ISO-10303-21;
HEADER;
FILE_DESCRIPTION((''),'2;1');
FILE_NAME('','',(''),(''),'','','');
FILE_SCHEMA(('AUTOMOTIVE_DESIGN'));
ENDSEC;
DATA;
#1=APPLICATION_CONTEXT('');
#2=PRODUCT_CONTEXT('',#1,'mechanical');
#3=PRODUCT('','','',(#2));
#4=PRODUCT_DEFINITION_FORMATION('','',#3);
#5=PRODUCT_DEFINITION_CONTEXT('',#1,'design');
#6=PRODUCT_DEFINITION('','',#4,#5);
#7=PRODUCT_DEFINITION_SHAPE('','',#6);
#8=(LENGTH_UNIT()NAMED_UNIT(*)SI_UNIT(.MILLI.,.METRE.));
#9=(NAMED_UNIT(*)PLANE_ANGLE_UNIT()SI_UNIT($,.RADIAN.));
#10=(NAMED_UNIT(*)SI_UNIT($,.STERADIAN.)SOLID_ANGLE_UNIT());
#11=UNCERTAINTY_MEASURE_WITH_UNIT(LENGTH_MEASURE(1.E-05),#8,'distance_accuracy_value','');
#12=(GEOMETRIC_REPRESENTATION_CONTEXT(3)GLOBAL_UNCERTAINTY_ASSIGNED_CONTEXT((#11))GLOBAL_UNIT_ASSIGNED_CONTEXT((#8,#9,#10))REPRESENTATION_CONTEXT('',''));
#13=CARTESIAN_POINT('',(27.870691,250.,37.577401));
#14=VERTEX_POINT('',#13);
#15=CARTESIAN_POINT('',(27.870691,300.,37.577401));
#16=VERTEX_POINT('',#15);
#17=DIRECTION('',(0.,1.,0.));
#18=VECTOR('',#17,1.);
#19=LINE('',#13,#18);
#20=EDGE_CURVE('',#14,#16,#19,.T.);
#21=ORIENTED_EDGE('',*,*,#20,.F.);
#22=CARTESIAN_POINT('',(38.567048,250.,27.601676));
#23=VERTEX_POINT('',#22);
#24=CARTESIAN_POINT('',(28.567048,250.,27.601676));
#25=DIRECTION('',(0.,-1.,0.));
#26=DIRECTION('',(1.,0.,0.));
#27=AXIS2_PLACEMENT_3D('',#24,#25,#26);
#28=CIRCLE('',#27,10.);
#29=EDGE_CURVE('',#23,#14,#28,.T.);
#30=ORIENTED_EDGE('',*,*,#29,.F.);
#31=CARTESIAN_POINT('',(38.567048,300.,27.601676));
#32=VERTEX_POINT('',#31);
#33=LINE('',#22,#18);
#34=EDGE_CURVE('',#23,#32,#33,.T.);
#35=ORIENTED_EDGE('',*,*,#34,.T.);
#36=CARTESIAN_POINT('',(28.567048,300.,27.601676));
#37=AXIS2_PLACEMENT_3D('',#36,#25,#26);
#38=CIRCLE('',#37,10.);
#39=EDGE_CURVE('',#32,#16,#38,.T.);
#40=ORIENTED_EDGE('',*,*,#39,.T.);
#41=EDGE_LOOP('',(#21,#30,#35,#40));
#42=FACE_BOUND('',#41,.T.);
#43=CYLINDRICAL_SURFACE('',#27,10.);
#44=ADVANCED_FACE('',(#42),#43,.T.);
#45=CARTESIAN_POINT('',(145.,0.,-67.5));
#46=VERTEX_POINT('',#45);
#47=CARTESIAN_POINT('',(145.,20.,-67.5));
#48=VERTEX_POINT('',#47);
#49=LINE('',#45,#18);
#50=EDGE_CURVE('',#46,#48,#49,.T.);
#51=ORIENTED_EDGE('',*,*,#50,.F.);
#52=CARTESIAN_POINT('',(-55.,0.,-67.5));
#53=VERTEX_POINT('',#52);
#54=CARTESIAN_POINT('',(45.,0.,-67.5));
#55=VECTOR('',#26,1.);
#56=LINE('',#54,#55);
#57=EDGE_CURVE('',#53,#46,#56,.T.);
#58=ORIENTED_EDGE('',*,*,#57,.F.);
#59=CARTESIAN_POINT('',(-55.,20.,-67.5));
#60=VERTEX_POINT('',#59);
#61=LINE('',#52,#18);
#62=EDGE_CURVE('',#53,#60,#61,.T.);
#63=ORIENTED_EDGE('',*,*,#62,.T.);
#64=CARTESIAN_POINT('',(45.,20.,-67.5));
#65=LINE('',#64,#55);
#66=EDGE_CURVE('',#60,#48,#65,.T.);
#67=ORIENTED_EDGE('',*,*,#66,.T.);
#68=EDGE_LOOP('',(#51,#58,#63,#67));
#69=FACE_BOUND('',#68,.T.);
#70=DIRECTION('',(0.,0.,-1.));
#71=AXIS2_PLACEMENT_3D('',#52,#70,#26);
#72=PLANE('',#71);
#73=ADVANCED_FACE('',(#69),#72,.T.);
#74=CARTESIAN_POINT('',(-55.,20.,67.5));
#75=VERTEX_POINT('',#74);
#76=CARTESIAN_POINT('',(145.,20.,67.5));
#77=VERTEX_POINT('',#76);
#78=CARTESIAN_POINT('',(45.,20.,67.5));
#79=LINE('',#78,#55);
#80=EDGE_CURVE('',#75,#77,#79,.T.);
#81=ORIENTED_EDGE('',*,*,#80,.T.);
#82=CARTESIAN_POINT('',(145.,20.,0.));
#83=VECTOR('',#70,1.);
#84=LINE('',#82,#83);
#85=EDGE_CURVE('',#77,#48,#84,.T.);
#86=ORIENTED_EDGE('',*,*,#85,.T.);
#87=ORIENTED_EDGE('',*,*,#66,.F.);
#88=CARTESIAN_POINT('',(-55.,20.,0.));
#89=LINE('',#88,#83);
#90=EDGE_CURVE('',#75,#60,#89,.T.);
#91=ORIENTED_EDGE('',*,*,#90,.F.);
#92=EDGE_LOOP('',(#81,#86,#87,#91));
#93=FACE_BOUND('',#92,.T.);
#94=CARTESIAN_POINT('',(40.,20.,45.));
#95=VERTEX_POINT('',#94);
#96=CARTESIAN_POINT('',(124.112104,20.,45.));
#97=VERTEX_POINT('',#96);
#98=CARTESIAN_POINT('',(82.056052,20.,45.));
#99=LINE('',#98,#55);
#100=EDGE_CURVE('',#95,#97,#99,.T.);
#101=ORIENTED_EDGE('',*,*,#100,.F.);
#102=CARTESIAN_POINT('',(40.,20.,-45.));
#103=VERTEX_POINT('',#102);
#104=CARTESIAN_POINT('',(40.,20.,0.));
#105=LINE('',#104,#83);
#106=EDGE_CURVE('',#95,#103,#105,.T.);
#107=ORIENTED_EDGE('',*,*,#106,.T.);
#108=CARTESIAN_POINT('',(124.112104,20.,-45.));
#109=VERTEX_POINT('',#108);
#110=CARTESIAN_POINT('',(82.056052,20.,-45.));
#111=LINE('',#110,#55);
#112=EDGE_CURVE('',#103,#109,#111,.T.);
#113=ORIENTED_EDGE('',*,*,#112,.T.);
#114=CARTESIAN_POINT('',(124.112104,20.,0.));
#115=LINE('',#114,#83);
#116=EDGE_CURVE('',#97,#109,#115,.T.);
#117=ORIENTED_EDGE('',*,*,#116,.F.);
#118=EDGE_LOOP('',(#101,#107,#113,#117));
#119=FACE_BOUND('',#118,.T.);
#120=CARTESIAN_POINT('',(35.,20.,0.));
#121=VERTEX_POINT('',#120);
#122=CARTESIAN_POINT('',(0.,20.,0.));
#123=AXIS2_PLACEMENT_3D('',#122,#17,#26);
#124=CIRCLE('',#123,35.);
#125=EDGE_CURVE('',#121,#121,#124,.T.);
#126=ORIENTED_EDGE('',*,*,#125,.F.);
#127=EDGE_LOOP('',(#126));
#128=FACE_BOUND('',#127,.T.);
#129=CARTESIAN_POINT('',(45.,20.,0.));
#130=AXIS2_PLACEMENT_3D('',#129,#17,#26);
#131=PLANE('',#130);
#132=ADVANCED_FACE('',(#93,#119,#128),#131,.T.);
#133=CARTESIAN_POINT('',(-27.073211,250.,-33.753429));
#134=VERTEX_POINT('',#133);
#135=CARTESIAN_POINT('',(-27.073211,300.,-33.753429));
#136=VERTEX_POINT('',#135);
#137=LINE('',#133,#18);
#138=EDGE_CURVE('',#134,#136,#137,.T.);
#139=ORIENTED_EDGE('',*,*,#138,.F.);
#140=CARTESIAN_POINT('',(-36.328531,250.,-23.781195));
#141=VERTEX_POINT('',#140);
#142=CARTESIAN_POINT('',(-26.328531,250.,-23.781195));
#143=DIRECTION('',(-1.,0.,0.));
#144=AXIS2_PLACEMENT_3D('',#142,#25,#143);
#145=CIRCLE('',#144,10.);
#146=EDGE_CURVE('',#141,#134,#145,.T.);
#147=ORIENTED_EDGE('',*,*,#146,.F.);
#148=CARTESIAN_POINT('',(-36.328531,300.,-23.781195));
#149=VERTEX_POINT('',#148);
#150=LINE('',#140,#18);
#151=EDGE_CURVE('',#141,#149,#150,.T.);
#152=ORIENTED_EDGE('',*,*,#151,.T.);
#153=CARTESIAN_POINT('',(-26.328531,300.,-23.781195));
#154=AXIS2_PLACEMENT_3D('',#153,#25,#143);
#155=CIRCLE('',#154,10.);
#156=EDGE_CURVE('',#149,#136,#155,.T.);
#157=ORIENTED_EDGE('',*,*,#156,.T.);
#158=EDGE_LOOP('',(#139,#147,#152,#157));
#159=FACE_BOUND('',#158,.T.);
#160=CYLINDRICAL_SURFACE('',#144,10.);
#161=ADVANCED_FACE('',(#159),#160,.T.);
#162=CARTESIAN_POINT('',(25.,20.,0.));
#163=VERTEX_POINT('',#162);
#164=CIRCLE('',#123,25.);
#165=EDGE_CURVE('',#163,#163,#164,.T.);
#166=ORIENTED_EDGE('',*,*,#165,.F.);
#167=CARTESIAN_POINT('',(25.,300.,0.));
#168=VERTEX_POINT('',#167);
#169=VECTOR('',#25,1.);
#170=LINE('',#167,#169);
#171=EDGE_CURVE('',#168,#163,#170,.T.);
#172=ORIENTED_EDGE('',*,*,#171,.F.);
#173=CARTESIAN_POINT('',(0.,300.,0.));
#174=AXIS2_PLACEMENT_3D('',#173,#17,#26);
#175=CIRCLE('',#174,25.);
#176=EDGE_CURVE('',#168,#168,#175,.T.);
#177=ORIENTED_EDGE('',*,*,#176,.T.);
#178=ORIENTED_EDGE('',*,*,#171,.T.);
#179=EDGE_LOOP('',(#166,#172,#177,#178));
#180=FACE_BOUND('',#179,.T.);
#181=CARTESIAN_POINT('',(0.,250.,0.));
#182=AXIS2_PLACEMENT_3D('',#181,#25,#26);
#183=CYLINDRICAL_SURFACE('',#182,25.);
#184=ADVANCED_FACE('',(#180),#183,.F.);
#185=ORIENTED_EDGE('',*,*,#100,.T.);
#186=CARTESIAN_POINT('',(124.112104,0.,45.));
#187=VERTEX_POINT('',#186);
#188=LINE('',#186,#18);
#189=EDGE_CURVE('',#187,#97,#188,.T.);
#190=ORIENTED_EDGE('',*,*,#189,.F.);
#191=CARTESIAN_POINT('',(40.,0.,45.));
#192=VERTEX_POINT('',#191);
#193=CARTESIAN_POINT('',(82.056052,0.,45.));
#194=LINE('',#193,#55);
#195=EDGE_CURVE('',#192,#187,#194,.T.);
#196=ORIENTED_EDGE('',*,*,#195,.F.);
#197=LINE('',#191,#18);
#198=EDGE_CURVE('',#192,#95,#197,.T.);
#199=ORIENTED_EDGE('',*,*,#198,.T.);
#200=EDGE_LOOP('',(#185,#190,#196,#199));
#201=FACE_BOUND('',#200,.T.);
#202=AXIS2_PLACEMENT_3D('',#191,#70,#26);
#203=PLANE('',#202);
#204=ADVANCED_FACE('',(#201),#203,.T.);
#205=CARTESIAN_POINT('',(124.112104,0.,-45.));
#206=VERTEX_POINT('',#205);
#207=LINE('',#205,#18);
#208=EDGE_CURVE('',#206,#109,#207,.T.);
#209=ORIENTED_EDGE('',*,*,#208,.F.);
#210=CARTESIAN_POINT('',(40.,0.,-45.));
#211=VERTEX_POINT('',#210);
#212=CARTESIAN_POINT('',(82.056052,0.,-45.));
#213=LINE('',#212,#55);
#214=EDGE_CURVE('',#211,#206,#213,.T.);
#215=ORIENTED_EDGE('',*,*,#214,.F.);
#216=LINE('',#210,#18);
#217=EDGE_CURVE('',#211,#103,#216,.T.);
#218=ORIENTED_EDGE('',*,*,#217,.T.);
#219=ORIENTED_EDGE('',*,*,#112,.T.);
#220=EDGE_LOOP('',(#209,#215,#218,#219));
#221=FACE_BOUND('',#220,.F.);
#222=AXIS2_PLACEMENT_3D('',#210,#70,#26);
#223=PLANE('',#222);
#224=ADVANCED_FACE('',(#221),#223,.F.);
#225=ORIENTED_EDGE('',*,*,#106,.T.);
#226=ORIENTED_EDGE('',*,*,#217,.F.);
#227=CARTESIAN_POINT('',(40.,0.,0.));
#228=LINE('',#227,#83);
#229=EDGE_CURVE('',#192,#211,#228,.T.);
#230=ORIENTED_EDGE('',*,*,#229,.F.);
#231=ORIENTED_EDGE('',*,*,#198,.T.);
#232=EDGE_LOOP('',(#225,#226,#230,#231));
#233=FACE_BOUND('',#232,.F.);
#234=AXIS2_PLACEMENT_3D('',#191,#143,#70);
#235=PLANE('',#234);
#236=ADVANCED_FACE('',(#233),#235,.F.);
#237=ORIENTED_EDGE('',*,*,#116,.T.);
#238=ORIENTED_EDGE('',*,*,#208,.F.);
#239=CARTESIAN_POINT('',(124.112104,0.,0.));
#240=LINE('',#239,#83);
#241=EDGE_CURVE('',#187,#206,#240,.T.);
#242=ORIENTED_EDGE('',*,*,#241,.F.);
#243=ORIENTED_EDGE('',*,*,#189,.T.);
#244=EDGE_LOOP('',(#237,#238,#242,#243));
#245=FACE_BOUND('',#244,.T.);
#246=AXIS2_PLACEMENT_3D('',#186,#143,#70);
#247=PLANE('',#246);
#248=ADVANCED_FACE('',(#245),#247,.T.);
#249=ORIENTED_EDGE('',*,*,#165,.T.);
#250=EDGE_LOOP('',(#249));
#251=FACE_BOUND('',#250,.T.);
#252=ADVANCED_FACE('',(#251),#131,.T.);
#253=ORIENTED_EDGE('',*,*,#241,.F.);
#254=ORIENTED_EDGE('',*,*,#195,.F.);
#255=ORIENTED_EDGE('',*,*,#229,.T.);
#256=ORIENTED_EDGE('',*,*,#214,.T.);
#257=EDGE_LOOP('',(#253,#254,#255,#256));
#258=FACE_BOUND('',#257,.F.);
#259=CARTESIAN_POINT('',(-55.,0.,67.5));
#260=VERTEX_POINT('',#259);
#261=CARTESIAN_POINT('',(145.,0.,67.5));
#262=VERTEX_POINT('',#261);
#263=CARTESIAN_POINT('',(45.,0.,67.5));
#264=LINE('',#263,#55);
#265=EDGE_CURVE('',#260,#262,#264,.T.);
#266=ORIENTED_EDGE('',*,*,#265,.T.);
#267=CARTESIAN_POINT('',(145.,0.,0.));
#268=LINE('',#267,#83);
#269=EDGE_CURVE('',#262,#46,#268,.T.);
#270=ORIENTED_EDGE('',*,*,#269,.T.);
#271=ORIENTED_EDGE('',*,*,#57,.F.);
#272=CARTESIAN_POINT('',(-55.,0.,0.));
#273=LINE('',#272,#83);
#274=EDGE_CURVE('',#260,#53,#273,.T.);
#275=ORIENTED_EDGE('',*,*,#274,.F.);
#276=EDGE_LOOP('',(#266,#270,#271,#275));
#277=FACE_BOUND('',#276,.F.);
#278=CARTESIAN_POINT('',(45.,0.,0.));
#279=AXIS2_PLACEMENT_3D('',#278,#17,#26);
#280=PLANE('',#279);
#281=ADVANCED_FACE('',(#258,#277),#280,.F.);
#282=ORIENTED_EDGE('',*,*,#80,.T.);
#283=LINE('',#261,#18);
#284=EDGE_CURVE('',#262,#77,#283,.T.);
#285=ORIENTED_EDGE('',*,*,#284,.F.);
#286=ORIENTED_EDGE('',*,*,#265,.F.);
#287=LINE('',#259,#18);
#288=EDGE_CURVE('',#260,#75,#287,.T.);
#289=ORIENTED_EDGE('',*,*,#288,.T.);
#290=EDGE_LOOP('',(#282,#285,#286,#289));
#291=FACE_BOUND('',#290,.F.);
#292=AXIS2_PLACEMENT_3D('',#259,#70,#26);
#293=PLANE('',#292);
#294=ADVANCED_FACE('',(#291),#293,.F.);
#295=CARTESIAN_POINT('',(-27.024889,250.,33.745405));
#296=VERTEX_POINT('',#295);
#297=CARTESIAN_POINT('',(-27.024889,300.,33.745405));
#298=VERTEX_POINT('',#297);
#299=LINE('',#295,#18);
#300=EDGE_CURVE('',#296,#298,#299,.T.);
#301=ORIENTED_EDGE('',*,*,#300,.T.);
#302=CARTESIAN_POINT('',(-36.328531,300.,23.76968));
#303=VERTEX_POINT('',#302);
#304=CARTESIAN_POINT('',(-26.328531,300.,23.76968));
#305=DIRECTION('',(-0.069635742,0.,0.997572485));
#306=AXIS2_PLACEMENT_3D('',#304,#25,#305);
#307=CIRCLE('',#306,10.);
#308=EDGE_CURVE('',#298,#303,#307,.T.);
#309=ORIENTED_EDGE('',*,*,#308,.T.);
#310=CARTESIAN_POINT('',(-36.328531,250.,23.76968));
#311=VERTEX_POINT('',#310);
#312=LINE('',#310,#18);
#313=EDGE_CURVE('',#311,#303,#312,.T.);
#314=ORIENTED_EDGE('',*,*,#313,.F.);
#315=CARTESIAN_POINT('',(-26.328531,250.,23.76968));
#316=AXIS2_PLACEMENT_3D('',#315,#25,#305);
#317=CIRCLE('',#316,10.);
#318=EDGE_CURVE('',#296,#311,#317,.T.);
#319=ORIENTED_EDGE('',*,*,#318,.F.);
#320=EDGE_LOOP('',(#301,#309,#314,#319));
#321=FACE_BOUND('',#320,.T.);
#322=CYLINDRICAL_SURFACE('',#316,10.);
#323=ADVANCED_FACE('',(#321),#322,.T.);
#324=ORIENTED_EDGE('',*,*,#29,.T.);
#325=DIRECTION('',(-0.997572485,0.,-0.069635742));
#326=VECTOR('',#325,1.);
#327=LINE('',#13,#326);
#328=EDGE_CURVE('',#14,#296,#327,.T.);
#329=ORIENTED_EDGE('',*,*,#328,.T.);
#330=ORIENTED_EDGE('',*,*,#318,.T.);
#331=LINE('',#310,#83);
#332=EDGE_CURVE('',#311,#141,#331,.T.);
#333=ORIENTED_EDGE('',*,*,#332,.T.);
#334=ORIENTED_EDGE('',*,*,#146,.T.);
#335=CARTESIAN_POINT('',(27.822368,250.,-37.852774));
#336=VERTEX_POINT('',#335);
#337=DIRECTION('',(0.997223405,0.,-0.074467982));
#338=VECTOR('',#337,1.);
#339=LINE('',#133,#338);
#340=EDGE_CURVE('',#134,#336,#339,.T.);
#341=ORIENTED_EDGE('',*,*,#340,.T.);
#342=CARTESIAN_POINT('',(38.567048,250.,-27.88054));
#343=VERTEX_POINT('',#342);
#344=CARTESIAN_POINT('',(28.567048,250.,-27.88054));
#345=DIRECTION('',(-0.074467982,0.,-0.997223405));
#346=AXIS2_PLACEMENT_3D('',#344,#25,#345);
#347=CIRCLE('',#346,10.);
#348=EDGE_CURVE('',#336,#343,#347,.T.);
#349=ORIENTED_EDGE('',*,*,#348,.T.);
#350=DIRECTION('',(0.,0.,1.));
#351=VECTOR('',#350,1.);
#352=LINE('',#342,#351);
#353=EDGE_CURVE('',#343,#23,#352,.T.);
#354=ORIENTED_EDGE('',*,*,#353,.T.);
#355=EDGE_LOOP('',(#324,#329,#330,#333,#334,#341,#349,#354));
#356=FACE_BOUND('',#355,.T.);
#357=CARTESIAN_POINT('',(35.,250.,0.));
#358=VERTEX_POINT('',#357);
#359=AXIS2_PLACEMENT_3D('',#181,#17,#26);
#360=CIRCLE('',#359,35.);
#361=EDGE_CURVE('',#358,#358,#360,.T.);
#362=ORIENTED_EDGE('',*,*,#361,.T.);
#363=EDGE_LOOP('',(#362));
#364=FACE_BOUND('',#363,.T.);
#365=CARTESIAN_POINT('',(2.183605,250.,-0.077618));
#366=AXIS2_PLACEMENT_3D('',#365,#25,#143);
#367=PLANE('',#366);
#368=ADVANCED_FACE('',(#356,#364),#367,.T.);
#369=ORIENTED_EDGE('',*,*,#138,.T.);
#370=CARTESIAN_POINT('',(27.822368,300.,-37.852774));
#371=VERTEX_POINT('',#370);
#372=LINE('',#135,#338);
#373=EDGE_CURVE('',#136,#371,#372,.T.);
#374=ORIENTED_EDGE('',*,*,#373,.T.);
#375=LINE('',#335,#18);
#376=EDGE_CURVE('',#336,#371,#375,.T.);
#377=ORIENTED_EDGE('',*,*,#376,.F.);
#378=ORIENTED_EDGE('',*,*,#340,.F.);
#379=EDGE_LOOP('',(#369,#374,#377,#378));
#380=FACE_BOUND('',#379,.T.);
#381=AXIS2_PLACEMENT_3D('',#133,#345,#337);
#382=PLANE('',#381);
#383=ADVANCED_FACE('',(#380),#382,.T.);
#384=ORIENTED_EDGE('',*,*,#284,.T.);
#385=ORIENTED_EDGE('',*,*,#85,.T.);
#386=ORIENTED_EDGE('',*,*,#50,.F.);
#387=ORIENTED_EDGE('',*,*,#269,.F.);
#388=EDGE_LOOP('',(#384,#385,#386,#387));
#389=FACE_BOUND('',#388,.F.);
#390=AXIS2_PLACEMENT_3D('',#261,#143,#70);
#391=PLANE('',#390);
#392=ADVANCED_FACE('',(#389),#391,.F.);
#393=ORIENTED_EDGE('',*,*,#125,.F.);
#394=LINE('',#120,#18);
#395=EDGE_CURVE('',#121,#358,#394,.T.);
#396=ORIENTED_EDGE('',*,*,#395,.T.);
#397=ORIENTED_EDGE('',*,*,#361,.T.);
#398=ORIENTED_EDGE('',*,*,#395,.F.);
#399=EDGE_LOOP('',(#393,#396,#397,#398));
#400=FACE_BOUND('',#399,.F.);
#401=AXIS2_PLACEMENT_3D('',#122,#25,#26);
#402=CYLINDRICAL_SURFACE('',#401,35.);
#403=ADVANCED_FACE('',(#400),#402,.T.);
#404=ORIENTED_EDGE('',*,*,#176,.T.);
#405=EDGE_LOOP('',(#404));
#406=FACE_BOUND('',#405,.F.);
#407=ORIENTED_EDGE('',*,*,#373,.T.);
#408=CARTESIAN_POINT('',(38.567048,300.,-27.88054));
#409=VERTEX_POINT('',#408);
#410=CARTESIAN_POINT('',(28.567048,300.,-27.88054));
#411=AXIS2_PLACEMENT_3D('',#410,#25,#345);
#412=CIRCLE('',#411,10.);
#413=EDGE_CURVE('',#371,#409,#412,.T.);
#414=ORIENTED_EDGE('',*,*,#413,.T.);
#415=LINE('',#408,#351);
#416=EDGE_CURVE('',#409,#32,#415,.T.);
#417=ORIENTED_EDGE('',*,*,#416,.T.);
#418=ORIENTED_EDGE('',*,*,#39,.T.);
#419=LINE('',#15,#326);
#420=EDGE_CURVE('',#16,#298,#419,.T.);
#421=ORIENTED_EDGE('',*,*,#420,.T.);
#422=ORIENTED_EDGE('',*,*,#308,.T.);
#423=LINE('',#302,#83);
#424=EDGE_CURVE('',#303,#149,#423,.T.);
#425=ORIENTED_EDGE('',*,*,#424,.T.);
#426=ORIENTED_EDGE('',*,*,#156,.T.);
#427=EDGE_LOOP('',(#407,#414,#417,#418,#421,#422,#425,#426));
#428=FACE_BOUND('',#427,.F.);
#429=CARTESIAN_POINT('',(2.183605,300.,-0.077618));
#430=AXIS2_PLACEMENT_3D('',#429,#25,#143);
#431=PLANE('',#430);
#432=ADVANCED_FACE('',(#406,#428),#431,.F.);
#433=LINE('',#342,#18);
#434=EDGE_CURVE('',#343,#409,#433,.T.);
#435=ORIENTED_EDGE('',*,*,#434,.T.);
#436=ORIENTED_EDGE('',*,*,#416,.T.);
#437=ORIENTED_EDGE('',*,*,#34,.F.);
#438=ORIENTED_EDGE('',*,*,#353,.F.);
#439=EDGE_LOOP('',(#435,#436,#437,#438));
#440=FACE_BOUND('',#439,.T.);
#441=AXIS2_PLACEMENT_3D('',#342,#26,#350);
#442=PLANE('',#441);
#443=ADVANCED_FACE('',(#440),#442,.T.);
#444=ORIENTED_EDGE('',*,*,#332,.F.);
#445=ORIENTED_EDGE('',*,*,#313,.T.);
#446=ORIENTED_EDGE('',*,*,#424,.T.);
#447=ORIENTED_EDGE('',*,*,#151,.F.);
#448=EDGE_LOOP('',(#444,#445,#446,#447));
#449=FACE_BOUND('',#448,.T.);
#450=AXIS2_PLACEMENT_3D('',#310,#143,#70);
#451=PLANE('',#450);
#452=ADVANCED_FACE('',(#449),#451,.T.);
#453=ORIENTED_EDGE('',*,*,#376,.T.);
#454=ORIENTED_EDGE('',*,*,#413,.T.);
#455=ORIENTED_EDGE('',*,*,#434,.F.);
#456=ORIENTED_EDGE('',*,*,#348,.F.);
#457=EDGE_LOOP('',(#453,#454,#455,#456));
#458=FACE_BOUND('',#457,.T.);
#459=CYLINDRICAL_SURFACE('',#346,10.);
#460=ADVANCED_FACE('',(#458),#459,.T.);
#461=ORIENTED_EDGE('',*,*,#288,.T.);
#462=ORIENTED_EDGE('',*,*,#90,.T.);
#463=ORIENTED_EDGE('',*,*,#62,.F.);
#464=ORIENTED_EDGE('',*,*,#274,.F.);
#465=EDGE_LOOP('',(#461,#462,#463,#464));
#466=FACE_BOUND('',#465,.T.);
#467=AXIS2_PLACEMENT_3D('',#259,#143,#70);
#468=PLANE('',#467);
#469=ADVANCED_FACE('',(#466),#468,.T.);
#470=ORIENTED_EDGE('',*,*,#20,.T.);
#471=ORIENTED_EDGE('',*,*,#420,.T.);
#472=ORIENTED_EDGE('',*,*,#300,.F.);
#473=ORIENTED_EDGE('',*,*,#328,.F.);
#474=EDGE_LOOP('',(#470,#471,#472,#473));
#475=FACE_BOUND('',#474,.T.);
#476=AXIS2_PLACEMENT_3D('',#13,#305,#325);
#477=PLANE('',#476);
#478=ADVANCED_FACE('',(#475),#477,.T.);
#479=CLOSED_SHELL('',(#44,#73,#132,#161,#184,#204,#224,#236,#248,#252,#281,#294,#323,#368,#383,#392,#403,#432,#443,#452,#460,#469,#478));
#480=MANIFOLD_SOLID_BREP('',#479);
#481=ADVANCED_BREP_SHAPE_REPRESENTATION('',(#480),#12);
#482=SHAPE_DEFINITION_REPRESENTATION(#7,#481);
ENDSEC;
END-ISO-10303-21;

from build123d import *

# Parameters (mm, degrees)
SKETCH_1_W        = 200
SKETCH_1_H        = 135
SKETCH_1_W_2      = 84.112104212
SKETCH_1_H_2      = 90
EXTRUDE_1_DEPTH   = 20
SKETCH_3_R        = 35
SKETCH_3_R_2      = 25
EXTRUDE_1_2_DEPTH = 230
SKETCH_4_R        = 25
EXTRUDE_2_DEPTH   = 50


with BuildPart() as part:
    # Эскиз1 → Extrude 1 (new body)
    with BuildSketch(Plane(origin=(0, 0, 0), x_dir=(1, 0, 0), z_dir=(0, 1, 0))):
        with Locations((45, 0)):
            Rectangle(SKETCH_1_W, SKETCH_1_H)
        with Locations((82.056052106, 0)):
            Rectangle(SKETCH_1_W_2, SKETCH_1_H_2, mode=Mode.SUBTRACT)
    extrude(amount=EXTRUDE_1_DEPTH)

    # Эскиз3 → Extrude 1 2 (add)
    with BuildSketch(Plane(origin=(0, 20, 0), x_dir=(1, 0, 0), z_dir=(0, 1, 0))):
        Circle(SKETCH_3_R)
        Circle(SKETCH_3_R_2, mode=Mode.SUBTRACT)
    extrude(amount=EXTRUDE_1_2_DEPTH)

    # Эскиз4 → Бобышка-Вытянуть2 (add)
    with BuildSketch(Plane(origin=(0, 250, 0), x_dir=(1, 0, 0), z_dir=(0, 1, 0))):
        with BuildLine():
            Line((38.567048096, 27.880540306), (38.567048096, -27.601676263))
            ThreePointArc((38.567048096, -27.601676263), (35.38747425, -34.914800567), (27.87069068, -37.577401116))
            Line((27.87069068, -37.577401116), (-27.024888661, -33.745404507))
            ThreePointArc((-27.024888661, -33.745404507), (-33.641655548, -30.590105807), (-36.328531244, -23.769679653))
            Line((-36.328531244, -23.769679653), (-36.328531244, 23.781195095))
            ThreePointArc((-36.328531244, 23.781195095), (-33.658156001, 30.583885807), (-27.07321106, 33.753429146))
            Line((-27.07321106, 33.753429146), (27.822368281, 37.852774357))
            ThreePointArc((27.822368281, 37.852774357), (35.369738808, 35.210165063), (38.567048096, 27.880540306))
        make_face()
        Circle(SKETCH_4_R, mode=Mode.SUBTRACT)
    extrude(amount=EXTRUDE_2_DEPTH)


solid = part.part
